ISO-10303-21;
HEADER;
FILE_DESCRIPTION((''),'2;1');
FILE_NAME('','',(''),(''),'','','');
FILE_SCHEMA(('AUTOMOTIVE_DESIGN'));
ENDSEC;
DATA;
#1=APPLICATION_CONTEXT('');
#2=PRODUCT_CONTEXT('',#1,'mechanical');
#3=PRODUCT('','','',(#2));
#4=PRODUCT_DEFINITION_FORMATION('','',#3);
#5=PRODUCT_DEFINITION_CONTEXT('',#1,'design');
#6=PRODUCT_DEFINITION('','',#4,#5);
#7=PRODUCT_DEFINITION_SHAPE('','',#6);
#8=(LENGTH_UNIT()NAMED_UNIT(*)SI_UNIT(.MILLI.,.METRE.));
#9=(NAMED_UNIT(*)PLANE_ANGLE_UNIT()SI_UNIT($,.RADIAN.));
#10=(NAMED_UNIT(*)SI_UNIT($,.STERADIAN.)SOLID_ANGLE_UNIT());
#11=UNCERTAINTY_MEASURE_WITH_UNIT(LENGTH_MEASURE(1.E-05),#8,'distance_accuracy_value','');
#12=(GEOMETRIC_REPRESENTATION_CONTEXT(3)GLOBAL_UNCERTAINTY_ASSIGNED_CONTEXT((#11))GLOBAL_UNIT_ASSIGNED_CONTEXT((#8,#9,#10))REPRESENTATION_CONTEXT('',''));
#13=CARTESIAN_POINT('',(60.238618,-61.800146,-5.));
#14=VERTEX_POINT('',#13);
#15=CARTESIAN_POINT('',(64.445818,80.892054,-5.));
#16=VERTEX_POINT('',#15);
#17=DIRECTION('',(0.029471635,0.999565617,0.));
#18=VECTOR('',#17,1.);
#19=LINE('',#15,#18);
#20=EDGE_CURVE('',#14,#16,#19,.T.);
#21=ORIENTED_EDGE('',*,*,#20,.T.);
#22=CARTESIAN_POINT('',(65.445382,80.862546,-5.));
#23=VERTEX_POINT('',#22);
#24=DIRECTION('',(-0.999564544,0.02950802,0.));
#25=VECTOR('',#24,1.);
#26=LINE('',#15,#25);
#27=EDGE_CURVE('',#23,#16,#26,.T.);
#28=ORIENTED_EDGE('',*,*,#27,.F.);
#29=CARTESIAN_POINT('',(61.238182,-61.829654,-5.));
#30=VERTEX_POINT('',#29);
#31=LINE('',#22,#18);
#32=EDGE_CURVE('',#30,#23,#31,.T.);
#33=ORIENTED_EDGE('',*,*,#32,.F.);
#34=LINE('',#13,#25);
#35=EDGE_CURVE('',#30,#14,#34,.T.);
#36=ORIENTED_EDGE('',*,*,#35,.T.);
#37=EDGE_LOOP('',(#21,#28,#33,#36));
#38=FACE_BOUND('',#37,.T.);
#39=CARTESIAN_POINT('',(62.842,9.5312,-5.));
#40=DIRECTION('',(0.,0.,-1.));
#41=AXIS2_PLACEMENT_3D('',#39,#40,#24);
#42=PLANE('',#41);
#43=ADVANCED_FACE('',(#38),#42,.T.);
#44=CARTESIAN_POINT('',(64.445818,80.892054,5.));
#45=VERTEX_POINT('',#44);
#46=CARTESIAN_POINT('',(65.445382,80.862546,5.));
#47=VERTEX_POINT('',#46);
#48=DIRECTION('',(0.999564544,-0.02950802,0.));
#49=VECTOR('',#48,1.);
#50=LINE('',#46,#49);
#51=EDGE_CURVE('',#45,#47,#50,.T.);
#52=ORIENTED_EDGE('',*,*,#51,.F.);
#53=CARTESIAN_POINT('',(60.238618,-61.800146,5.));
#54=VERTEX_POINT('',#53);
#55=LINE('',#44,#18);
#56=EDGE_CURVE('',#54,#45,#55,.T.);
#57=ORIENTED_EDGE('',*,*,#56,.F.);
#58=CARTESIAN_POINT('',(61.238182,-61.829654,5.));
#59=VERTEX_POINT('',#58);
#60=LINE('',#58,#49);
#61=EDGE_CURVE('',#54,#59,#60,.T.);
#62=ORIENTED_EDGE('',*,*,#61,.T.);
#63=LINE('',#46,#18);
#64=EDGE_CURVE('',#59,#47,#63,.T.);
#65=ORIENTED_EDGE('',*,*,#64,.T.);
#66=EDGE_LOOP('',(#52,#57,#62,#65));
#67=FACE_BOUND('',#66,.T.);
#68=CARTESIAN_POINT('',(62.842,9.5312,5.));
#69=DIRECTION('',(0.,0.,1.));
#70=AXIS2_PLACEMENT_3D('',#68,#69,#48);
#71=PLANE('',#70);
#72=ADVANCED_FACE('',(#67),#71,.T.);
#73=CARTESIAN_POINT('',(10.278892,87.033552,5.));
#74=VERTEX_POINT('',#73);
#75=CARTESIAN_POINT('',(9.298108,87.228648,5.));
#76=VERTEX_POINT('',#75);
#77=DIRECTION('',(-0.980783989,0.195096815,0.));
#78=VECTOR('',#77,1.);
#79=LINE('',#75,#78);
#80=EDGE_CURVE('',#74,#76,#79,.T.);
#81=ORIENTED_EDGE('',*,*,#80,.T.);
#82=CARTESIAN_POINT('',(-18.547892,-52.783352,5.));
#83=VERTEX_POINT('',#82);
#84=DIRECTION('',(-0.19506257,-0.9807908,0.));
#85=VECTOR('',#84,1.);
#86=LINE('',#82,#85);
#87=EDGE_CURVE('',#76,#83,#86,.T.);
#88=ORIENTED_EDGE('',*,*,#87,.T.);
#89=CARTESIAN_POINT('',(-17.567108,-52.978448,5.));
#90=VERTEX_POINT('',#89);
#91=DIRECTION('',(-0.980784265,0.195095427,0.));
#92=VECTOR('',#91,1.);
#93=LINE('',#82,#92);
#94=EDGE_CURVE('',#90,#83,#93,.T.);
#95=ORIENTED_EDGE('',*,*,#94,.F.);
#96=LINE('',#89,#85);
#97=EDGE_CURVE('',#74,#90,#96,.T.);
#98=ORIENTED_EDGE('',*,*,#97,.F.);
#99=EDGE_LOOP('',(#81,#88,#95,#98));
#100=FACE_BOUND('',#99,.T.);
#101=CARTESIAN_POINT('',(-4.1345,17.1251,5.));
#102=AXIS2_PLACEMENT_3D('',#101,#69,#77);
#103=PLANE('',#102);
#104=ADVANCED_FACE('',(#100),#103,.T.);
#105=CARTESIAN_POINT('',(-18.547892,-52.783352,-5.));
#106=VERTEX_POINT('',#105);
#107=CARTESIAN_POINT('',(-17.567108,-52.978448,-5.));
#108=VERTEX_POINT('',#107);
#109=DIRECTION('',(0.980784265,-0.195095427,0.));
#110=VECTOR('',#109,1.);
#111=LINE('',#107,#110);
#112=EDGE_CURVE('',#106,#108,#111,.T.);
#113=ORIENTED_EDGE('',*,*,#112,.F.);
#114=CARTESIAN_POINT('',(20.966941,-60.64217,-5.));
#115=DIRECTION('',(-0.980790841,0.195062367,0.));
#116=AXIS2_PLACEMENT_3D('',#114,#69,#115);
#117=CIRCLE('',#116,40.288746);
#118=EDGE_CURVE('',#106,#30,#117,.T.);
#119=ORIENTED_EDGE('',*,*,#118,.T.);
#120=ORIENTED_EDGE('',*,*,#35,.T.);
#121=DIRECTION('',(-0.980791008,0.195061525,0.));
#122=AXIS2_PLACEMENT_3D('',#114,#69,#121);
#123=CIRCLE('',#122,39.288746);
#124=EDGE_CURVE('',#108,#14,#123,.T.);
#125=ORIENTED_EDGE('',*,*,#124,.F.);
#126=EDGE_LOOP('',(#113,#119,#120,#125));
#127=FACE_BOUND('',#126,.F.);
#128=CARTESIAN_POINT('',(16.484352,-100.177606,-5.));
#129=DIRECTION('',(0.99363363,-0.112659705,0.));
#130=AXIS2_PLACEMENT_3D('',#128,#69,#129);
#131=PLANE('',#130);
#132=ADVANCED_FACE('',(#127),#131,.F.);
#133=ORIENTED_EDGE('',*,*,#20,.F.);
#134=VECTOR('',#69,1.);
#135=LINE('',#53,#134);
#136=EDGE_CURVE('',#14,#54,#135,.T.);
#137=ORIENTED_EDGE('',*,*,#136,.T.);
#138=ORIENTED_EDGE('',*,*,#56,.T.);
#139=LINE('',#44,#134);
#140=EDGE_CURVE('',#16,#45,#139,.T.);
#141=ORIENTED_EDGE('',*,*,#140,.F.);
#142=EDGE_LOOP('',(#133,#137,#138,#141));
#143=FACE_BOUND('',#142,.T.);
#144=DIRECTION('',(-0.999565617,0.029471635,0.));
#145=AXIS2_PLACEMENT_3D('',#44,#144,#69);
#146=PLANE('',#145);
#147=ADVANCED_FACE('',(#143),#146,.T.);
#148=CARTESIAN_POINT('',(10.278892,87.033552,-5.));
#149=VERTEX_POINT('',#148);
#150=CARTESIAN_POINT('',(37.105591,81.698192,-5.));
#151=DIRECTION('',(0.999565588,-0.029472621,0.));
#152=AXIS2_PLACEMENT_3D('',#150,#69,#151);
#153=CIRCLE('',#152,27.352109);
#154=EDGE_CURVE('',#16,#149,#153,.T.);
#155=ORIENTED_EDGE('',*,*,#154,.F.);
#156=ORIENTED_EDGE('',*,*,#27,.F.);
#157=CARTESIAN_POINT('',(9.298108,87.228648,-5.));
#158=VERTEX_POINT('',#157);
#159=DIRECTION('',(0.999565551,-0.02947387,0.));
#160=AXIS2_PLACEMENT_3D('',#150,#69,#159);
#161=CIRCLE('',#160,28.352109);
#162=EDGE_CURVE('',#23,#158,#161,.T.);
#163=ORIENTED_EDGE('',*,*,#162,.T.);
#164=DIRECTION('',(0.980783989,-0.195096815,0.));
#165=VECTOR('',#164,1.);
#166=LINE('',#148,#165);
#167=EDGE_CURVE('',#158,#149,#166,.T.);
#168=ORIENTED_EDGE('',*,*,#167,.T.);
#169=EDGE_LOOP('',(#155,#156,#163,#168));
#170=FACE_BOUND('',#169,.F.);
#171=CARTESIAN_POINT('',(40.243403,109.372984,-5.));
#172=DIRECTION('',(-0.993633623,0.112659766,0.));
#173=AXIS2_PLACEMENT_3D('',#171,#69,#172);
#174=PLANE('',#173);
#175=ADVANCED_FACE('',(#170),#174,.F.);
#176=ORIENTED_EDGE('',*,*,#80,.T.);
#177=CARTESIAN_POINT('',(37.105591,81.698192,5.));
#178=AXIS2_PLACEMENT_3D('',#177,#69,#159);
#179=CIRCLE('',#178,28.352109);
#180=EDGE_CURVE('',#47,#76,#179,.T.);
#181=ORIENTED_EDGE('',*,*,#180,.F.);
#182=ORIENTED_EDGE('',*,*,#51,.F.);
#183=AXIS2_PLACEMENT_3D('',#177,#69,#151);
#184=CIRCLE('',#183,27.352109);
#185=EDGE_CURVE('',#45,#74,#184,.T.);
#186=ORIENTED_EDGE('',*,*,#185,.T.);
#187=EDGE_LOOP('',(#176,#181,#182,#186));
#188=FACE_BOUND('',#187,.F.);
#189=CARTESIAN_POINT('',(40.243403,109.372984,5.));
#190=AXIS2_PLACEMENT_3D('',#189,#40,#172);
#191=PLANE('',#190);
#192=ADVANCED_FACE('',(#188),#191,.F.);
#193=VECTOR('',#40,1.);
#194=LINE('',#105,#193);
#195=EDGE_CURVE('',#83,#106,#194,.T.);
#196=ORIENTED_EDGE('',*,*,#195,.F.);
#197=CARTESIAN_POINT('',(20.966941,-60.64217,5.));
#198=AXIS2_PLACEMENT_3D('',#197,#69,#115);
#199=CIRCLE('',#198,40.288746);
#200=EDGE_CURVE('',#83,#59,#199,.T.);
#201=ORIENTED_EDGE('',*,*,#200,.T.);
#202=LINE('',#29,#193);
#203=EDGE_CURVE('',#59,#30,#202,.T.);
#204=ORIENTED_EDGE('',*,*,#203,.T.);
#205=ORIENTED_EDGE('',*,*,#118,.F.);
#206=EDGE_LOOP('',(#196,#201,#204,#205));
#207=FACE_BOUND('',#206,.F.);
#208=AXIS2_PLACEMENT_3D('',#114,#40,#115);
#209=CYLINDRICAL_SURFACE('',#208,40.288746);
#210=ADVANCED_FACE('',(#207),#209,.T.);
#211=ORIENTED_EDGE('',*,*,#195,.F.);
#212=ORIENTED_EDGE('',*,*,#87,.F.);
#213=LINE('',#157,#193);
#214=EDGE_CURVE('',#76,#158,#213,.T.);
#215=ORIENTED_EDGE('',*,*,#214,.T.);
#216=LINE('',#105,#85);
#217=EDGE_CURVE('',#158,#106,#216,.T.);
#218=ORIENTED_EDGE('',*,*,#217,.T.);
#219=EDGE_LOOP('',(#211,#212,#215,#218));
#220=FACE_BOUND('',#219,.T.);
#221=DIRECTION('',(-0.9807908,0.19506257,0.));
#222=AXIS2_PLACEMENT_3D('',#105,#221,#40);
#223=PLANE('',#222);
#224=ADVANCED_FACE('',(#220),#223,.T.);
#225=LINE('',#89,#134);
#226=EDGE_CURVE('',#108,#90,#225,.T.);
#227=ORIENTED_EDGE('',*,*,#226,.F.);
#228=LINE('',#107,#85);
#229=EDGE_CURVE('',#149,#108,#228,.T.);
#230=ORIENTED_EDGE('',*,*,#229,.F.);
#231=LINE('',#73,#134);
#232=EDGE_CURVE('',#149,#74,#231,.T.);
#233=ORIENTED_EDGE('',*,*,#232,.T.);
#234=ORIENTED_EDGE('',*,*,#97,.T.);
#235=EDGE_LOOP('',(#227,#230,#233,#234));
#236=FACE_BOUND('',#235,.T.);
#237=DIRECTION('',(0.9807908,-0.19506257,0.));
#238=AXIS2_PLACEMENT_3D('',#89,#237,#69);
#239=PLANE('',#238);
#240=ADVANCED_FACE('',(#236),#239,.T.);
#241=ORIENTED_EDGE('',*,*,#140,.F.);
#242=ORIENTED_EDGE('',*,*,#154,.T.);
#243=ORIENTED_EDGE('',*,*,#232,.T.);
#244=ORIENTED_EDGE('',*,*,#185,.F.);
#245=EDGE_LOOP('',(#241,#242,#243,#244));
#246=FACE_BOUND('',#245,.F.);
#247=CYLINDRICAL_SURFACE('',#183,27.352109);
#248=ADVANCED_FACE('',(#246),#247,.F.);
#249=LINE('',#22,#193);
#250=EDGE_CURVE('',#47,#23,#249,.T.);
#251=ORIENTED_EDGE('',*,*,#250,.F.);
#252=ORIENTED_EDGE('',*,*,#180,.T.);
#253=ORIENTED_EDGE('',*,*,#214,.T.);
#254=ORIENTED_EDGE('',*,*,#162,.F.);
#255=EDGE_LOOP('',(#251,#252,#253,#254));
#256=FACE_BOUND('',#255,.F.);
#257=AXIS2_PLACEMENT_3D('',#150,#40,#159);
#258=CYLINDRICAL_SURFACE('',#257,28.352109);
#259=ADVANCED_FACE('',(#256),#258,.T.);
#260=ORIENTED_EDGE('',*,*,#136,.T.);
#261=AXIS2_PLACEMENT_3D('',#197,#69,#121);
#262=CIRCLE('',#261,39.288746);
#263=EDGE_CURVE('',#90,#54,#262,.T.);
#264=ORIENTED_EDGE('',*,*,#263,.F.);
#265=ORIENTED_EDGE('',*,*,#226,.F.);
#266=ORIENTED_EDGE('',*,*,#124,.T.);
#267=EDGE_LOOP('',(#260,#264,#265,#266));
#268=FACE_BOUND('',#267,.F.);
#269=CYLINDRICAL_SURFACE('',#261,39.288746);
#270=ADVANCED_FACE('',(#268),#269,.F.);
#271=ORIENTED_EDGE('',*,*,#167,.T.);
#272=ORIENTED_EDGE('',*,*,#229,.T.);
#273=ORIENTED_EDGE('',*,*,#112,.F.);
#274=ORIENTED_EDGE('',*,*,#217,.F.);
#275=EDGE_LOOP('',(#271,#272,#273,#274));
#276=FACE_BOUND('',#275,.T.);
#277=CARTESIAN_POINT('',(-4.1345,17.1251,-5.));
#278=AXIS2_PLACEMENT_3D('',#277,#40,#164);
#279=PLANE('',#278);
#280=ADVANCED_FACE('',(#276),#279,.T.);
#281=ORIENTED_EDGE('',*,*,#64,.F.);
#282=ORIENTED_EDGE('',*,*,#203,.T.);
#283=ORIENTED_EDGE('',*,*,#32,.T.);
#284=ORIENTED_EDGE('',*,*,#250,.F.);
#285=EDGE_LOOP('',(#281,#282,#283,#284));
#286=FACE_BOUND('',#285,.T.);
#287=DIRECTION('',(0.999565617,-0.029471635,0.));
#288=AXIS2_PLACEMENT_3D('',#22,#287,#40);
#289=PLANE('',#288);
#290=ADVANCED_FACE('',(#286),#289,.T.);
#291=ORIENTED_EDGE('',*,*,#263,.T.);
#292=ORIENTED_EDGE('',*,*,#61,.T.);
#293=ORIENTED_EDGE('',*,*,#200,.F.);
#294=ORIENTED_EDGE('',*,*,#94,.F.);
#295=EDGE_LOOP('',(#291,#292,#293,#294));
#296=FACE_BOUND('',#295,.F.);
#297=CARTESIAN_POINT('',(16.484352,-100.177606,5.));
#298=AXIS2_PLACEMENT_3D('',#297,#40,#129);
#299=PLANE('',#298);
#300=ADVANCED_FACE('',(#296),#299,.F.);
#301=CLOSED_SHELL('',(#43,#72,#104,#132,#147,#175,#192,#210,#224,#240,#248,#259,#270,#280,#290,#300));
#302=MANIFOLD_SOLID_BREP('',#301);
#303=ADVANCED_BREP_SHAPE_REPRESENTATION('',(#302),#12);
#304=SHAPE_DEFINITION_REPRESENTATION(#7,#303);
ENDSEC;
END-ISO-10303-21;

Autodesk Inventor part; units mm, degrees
sketch "Sketch Path" plane through (0, 0, 0) normal (0, 0, 1) x (1, 0, 0)
  arc A0 (64.9456, 80.8773) -> (9.7885, 87.1311) centre (37.1056, 81.6982) ccw
  arc A1 (-18.0575, -52.8809) -> (60.7384, -61.8149) centre (20.9669, -60.6422) ccw
  line L0 (-18.0575, -52.8809) -> (9.7885, 87.1311)
  line L1 (64.9456, 80.8773) -> (60.7384, -61.8149)
ref_plane "Cross Section Plane" through (9.7885, 87.1311, 0) normal (-0.1951, -0.9808, 0) x (0, 0, 1)
ref_plane "Work Plane2" through (37.1056, 81.6982, 0) normal (-1, 0, 0) x (0, 0, 1)
ref_plane "Work Plane3" through (20.9669, -60.6422, 0) normal (0.0966, 0.9953, 0) x (0, 0, 1)
sketch "Cross Section" plane through (9.7885, 87.1311, 0) normal (-0.1951, -0.9808, 0) x (0, 0, 1)
  line L0 (-5, 0.5) -> (5, 0.5)
  line L1 (5, 0.5) -> (5, -0.5)
  line L2 (5, -0.5) -> (-5, -0.5)
  line L3 (-5, -0.5) -> (-5, 0.5)
  line L4 (-5, 0) -> (5, 0) construction
  point P0 (0, 0)
  point P1 (0, 0)
  dimension "d0" = 10
  dimension "d4" = 0.5
  dimension "d5" = 0.5
sweep "Belt" add profiles "Cross Section" path "Sketch Path"
equation "\"d0\" = da_B"
equation "\"d4\" = da_a"
equation "\"d5\" = da_a2"
equation "\"da_B\" = 10"
equation "\"da_pb\" = 5"
equation "\"da_a\" = 0.5"
equation "\"da_S\" = 2.65"
equation "\"da_Beta\" = 20deg"
equation "\"da_Ht\" = 1.2"
equation "\"da_H\" = 2.2"
equation "\"da_a2\" = 0.5"
properties part number "Synchronous Belt" material "Rubber"
